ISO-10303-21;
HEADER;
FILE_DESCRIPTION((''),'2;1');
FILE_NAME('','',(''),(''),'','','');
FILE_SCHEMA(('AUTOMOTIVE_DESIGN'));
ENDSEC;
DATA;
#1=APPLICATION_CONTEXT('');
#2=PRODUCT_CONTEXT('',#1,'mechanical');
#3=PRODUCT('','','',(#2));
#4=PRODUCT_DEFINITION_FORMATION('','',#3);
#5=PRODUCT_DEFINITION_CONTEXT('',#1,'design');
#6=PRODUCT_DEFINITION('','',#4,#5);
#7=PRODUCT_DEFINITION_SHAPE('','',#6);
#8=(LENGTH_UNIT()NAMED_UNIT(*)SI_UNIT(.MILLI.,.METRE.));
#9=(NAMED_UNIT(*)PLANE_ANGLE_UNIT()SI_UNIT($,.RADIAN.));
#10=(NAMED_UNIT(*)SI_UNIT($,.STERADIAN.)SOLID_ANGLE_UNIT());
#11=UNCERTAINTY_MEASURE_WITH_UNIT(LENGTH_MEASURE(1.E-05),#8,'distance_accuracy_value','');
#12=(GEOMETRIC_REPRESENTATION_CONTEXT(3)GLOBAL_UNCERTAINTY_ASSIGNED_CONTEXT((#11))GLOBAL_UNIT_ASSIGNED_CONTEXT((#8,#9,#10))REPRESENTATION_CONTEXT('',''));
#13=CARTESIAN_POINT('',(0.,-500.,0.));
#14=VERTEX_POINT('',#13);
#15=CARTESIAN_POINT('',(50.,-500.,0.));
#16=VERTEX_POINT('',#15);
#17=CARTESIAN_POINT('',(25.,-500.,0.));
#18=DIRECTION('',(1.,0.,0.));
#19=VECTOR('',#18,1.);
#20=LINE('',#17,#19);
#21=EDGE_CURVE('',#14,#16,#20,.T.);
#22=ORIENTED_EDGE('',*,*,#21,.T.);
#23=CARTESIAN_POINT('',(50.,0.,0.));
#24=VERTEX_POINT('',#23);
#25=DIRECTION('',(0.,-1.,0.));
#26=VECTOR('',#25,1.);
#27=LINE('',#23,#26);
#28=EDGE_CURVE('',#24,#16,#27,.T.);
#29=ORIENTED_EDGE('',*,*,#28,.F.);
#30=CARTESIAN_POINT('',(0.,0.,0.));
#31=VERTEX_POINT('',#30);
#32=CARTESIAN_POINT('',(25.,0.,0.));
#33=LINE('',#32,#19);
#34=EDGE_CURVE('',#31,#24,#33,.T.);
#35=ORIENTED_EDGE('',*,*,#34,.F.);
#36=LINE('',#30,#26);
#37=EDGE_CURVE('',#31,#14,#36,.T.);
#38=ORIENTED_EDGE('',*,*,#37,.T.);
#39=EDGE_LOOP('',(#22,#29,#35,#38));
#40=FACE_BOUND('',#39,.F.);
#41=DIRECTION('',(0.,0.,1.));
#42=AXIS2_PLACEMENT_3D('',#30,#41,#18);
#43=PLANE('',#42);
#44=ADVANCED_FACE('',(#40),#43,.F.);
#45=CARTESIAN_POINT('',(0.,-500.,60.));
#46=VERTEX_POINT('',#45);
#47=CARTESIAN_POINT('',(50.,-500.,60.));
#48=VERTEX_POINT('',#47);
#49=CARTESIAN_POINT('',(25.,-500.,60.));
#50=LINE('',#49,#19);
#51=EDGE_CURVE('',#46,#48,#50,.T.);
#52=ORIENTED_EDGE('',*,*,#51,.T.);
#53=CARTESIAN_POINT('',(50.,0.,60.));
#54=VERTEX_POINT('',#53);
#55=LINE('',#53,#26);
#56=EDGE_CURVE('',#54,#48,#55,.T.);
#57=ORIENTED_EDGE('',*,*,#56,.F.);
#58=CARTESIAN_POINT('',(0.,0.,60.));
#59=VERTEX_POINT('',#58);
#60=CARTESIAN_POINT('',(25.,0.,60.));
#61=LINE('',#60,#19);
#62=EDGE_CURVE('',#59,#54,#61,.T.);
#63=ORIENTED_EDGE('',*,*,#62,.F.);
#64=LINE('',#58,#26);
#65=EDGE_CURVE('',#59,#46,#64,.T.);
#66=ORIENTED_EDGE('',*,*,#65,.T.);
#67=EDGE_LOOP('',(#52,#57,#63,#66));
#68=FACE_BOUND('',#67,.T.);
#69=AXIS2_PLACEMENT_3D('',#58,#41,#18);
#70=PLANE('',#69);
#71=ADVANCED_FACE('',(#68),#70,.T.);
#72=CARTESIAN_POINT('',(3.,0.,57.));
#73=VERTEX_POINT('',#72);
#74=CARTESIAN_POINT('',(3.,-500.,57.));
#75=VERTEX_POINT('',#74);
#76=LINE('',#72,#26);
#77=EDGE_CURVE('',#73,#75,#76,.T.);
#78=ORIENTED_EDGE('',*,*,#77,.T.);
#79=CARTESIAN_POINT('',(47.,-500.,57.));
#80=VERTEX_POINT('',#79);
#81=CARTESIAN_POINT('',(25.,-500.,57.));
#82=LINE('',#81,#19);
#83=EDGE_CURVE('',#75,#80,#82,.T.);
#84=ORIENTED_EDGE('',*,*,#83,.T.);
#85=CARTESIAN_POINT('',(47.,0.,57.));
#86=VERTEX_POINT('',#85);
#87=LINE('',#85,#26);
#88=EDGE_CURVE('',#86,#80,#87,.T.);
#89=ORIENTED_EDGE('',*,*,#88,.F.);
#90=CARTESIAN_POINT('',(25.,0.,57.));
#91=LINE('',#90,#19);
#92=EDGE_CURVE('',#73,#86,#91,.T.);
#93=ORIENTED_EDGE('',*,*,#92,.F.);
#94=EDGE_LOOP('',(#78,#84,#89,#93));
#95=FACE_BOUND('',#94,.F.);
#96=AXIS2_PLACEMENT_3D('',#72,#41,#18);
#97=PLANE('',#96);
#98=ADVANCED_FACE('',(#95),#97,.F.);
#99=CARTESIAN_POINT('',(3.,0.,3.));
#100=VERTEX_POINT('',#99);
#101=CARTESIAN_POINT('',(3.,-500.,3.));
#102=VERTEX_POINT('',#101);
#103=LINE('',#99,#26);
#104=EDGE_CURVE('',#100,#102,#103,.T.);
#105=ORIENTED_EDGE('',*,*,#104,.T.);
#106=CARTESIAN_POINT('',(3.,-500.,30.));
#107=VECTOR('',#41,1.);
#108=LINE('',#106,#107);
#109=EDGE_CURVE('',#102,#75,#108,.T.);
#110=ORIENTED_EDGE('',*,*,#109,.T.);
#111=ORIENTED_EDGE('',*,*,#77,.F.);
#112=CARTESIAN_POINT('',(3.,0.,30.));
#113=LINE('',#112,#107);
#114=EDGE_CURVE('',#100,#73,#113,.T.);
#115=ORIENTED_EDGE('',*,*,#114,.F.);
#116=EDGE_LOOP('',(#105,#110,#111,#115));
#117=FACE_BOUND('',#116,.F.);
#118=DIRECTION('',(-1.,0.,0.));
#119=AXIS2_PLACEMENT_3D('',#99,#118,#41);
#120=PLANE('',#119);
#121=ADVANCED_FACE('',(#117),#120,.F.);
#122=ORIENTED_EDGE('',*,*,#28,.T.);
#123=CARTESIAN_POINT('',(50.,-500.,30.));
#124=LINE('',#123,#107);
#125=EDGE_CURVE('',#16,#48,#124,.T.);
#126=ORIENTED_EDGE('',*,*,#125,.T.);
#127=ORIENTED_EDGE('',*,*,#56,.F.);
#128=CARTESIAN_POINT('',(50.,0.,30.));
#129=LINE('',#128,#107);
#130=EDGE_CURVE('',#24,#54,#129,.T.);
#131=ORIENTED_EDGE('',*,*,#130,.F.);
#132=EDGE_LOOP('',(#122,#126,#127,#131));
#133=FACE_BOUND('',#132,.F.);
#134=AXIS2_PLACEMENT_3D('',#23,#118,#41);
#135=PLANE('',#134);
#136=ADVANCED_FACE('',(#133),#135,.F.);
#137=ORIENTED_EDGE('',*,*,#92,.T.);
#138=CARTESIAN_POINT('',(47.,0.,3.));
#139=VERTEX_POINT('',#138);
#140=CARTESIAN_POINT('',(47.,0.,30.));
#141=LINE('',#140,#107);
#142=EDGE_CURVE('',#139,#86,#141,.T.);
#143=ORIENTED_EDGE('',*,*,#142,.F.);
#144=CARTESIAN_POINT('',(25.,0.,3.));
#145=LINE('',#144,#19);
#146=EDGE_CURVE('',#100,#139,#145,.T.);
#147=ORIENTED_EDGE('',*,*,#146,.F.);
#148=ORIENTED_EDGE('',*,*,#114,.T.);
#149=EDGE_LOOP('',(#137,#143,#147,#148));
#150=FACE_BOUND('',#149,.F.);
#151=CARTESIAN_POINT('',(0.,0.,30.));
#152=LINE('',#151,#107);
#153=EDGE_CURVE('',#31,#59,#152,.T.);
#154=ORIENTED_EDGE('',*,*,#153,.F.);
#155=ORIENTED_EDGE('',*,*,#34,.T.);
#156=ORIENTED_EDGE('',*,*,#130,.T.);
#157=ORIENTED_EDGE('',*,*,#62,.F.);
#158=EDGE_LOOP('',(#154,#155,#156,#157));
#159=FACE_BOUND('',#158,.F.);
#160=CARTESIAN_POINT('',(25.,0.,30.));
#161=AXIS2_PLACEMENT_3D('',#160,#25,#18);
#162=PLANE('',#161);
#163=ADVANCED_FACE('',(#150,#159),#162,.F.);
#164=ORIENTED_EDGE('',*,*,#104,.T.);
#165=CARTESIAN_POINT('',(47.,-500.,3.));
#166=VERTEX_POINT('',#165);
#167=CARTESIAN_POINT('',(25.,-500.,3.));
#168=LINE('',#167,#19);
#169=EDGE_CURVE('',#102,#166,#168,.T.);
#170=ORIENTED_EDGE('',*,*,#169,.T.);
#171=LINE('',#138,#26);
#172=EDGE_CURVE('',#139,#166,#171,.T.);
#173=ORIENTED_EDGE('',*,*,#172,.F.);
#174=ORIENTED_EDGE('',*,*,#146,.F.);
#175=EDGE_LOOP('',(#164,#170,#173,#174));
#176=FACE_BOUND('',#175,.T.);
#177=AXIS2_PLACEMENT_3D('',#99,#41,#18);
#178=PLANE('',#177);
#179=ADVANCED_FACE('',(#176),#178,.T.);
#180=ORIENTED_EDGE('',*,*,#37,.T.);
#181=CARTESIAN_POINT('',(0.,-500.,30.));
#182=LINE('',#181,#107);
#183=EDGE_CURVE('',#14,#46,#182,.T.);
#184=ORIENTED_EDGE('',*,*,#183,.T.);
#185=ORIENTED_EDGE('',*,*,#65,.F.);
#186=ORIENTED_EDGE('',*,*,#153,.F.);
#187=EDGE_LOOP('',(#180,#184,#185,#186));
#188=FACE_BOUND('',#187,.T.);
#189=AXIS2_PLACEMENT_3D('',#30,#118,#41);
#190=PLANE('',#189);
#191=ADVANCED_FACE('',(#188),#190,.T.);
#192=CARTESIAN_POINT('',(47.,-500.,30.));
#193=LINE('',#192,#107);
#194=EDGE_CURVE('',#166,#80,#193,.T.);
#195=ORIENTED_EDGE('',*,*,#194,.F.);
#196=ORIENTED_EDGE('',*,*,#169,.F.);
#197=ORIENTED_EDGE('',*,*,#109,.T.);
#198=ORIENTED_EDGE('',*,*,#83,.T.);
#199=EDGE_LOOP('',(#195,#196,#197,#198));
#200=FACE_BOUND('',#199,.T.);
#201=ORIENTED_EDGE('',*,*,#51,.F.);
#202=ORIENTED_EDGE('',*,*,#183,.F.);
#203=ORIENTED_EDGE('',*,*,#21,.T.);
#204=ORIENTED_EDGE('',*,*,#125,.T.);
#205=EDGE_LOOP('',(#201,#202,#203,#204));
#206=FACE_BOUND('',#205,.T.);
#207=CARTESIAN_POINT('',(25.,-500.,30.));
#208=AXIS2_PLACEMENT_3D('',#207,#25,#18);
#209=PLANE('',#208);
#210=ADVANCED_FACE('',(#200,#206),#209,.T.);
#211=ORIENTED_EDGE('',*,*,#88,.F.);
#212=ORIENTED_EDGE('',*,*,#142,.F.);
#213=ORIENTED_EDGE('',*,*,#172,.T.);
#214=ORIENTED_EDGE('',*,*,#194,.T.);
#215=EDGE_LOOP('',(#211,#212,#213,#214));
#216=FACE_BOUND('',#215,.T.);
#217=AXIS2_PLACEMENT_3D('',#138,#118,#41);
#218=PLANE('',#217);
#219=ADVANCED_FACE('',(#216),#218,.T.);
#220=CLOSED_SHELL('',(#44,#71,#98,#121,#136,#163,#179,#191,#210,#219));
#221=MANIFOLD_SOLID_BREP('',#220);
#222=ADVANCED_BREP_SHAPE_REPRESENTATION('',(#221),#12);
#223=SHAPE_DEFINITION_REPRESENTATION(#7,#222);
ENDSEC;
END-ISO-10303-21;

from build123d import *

# Parameters (mm, degrees)
SKETCH_W   = 50
SKETCH_H   = 60
SKETCH_W_2 = 44
SKETCH_H_2 = 54
PAD_DEPTH  = 500


with BuildPart() as part:
    # Sketch → Pad (new body)
    with BuildSketch(Plane.XZ):
        with Locations((25, 30)):
            Rectangle(SKETCH_W, SKETCH_H)
        with Locations((25, 30)):
            Rectangle(SKETCH_W_2, SKETCH_H_2, mode=Mode.SUBTRACT)
    extrude(amount=PAD_DEPTH)


solid = part.part
